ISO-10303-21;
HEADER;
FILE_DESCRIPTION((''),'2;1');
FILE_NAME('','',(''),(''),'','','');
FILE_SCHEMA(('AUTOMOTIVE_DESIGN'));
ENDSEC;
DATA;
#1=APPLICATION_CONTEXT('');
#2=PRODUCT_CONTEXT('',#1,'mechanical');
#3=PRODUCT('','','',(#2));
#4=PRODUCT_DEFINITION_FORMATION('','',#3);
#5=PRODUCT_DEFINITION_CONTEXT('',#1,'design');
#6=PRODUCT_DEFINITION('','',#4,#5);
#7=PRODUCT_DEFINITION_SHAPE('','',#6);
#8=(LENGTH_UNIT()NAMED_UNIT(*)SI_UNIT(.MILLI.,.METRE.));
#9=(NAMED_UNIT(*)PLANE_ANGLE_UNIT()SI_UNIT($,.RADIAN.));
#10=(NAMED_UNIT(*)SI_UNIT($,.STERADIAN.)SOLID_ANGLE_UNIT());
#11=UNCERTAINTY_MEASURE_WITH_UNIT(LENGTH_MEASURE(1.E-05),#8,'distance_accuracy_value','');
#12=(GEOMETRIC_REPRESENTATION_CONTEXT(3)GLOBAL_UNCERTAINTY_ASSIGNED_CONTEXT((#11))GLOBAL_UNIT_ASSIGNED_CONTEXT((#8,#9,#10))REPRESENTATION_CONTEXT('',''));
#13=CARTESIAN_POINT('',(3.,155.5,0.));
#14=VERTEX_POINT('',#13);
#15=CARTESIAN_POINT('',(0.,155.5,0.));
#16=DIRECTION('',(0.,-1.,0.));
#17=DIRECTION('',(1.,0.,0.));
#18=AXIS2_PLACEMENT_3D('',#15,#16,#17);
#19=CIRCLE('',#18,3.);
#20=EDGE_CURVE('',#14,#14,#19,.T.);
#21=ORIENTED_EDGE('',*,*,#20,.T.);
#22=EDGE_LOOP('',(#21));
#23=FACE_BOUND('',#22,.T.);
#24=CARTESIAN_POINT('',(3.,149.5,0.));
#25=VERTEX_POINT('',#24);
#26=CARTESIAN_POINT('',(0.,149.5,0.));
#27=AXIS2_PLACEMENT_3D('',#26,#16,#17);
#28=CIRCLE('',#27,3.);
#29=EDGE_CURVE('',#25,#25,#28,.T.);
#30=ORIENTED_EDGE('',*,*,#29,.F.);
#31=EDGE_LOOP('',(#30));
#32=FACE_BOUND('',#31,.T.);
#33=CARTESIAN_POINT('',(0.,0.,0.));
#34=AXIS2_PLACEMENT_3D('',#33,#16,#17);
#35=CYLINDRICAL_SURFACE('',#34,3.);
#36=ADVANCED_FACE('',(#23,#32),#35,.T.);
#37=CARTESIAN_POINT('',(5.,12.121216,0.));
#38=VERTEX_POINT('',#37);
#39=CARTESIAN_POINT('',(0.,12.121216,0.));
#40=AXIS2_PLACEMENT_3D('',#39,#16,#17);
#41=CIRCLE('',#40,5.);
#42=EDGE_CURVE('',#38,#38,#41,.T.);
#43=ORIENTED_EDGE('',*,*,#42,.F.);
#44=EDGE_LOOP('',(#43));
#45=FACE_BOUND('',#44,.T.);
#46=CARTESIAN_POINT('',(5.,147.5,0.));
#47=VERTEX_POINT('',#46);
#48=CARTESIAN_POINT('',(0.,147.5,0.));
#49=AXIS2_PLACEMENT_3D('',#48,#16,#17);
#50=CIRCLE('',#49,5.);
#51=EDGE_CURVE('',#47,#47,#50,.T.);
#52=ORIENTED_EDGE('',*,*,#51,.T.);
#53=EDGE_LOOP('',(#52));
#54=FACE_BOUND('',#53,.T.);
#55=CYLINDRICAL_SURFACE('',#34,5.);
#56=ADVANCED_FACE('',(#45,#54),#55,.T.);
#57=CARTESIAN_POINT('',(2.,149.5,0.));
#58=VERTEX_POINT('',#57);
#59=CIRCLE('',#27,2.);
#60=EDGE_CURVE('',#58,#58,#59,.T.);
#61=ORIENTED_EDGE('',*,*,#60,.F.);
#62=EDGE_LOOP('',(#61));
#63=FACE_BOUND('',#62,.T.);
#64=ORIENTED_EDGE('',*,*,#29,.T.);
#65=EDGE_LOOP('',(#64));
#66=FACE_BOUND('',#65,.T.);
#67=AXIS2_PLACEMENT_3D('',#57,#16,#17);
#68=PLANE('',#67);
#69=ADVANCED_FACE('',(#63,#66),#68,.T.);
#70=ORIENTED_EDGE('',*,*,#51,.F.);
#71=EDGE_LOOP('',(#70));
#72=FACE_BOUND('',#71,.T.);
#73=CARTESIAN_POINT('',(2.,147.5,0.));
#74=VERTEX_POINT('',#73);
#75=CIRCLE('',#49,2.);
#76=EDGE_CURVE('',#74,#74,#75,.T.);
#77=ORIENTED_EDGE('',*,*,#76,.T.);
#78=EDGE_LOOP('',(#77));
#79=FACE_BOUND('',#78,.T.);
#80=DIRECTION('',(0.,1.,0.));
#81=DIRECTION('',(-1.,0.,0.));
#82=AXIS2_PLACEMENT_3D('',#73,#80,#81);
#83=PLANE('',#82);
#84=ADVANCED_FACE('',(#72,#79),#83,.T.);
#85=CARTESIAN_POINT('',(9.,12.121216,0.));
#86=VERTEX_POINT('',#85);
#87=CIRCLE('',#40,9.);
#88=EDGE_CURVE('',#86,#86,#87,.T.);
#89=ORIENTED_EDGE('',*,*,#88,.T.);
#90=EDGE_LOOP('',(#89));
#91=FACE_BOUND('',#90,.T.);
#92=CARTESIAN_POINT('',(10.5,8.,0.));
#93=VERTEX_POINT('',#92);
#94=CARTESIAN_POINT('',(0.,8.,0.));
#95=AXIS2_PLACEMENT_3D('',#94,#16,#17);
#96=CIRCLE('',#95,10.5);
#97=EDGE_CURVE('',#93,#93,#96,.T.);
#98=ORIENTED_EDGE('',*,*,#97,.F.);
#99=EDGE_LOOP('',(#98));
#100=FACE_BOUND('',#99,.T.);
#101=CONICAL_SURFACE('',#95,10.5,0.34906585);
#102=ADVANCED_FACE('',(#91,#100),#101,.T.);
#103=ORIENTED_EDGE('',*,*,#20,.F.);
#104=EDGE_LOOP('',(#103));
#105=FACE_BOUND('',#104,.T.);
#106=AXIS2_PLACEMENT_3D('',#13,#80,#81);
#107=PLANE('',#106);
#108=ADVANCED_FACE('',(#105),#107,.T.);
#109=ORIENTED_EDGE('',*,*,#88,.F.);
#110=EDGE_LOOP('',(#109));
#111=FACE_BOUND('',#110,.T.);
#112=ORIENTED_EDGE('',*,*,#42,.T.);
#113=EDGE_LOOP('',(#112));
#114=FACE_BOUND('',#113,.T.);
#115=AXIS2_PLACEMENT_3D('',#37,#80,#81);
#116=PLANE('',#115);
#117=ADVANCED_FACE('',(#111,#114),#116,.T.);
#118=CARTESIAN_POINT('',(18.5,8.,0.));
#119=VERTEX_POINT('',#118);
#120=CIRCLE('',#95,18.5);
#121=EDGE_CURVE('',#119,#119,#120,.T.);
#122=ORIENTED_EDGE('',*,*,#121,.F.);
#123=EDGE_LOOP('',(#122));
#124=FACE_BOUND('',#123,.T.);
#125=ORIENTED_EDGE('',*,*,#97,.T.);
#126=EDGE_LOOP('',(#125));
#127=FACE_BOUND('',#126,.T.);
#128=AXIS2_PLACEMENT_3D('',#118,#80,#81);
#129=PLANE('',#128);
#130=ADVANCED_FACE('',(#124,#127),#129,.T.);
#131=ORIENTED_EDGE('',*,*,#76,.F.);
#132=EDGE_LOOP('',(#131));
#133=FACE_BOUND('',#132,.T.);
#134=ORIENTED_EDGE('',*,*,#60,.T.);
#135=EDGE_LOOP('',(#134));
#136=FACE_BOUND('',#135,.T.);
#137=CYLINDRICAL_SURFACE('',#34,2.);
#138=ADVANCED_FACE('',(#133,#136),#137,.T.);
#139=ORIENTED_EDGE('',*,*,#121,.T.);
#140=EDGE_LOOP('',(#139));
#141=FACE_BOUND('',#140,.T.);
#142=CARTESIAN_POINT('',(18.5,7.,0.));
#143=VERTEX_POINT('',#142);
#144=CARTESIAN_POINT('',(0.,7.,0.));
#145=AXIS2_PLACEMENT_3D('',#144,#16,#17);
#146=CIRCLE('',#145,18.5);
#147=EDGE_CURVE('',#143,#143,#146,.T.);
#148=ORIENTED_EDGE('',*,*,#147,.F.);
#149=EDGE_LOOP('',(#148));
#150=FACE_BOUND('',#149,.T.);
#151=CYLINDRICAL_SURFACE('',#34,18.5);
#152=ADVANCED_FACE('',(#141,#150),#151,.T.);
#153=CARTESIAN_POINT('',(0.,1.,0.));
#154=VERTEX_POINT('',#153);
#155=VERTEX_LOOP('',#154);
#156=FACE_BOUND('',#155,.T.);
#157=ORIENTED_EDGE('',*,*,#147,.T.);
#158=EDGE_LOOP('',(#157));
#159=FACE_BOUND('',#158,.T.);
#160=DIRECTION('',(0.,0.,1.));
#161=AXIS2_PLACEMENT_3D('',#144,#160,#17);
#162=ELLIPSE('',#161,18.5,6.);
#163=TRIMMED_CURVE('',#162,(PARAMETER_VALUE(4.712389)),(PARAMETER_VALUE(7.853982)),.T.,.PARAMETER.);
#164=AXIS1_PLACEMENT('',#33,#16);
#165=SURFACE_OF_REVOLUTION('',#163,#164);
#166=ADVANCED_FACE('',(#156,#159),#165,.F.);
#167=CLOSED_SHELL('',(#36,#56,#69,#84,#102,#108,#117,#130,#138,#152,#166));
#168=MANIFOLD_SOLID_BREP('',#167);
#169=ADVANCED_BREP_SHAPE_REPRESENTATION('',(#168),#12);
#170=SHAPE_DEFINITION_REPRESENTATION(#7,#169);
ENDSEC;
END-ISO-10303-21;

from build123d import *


with BuildPart() as part:
    # Sketch1 → Revolve1 (revolve)
    with BuildSketch(Plane.XY):
        with BuildLine():
            Line((18.5, 7), (18.5, 8))
            Line((18.5, 8), (10.5, 8))
            Line((10.5, 8), (9, 12.121216129))
            Line((9, 12.121216129), (5, 12.121216129))
            Line((5, 12.121216129), (5, 147.5))
            Line((5, 147.5), (2, 147.5))
            Line((2, 147.5), (2, 149.5))
            Line((2, 149.5), (3, 149.5))
            Line((3, 149.5), (3, 155.5))
            Line((3, 155.5), (0, 155.5))
            Line((0, 155.5), (0, 1))
            add(Edge.make_bspline(
                [(0, 1), (18.5, 1), (18.5, 7)],
                knots=[4.71238898, 4.71238898, 4.71238898, 6.283185307, 6.283185307, 6.283185307], degree=2, weights=[1, 0.707106781, 1]))
        make_face()
    revolve(axis=Axis((0, 0, 0), (0, 1, 0)))


solid = part.part
